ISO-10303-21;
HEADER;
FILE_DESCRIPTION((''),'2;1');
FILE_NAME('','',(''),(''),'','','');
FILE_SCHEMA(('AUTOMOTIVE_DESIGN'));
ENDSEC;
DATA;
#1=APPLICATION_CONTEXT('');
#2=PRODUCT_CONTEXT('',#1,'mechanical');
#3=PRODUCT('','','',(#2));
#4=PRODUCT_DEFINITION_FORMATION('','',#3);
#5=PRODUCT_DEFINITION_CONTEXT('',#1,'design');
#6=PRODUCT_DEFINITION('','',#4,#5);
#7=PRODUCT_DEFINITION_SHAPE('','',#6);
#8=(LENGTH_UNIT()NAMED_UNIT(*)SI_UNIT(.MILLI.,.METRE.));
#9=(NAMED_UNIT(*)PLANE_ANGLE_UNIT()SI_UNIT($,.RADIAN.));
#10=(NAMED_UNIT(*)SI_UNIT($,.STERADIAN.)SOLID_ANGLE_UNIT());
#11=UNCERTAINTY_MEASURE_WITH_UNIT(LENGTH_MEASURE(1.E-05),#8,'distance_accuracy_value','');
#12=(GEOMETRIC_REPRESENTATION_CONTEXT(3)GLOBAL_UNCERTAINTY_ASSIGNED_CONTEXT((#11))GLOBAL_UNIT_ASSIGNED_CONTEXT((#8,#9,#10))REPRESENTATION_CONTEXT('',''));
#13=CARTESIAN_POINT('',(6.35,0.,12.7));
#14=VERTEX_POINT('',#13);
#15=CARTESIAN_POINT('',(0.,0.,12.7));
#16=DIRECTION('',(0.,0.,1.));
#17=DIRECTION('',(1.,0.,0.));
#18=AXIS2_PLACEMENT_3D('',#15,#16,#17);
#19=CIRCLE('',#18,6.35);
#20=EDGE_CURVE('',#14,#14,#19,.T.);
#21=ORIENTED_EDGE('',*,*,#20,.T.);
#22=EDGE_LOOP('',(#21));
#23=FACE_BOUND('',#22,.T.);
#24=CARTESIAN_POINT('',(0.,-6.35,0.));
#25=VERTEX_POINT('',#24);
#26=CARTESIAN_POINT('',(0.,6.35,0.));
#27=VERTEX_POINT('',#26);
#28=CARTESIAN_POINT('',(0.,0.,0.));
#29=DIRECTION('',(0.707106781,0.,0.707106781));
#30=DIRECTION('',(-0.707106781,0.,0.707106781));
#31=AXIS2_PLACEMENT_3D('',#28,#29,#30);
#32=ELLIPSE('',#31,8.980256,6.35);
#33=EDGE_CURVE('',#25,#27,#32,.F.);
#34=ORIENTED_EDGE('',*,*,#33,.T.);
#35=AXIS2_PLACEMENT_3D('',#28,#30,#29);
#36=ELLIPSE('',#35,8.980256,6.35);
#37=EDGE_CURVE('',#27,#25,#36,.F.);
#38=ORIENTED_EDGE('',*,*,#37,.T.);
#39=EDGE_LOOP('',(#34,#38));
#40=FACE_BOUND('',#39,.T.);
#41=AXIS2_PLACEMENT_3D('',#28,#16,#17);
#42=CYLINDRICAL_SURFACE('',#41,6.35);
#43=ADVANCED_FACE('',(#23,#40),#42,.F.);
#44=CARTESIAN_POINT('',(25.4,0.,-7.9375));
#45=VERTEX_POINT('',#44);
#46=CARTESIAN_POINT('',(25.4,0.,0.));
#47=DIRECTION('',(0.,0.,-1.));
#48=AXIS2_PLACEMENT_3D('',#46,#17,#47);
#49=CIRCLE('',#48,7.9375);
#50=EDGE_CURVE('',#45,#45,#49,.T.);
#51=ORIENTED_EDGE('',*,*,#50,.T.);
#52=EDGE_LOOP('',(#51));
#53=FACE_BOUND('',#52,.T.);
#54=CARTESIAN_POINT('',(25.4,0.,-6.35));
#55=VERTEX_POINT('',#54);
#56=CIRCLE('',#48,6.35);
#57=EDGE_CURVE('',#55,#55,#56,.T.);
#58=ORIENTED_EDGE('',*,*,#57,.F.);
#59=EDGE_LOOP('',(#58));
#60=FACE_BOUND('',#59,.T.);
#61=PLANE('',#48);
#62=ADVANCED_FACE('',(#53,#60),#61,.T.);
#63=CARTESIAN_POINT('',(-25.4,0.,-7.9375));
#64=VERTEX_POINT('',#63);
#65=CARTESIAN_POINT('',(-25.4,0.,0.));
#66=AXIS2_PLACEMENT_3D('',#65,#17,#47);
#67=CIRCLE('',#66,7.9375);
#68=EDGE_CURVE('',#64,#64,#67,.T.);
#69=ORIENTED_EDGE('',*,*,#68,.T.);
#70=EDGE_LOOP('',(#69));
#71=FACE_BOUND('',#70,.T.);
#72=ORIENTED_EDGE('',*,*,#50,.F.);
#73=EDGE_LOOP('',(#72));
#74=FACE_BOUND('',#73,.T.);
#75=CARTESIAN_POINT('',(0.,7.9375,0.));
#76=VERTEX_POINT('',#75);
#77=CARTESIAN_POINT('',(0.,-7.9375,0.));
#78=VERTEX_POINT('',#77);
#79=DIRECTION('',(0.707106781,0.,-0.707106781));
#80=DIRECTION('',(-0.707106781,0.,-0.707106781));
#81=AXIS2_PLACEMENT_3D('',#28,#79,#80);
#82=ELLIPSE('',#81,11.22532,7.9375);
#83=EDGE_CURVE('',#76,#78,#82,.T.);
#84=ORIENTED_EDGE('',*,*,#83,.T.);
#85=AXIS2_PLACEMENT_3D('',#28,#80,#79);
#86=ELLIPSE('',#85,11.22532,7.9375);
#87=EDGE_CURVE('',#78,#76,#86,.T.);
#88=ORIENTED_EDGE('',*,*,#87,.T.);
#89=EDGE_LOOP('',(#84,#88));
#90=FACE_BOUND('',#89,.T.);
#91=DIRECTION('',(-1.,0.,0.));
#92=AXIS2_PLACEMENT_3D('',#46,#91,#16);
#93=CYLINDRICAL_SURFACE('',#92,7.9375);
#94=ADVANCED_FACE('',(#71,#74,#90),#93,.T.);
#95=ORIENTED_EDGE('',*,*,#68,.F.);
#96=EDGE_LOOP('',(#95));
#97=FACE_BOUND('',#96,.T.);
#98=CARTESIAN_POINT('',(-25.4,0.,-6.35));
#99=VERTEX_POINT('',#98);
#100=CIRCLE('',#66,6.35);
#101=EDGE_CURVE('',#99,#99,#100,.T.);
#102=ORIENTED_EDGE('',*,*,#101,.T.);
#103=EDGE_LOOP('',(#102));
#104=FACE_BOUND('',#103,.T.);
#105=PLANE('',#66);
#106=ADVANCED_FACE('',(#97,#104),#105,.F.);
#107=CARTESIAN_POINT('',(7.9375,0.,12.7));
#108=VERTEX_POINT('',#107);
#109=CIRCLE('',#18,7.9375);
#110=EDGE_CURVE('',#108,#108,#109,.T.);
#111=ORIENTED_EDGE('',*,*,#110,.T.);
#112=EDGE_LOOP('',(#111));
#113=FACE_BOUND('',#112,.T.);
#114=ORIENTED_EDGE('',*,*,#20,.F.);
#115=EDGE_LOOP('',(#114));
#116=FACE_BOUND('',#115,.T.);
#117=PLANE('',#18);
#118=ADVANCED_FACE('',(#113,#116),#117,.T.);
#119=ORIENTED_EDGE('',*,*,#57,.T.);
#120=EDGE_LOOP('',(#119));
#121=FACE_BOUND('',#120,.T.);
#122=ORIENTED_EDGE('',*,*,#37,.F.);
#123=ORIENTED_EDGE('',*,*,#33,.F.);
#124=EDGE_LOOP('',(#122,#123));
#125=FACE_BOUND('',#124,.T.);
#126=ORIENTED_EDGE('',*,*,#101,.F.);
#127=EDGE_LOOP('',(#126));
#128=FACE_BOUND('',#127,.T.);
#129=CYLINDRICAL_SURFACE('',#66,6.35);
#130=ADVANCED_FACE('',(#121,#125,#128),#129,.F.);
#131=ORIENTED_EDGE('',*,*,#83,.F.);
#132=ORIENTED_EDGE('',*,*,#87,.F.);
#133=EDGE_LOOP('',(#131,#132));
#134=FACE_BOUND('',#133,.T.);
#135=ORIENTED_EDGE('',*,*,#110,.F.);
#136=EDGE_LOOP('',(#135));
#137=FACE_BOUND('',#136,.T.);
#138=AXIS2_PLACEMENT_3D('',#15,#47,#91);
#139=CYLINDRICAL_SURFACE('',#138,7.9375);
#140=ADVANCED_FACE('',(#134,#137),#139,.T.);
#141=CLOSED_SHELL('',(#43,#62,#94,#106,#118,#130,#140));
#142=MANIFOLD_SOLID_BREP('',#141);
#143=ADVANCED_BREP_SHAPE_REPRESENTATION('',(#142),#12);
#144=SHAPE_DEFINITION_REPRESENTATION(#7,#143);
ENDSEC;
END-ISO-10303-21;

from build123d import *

# Parameters (mm, degrees)
SKETCH4_R           = 7.9375
BOSS_EXTRUDE2_DEPTH = 12.7
SKETCH7_R           = 6.35
CUT_EXTRUDE2_DEPTH  = 12.7
SKETCH8_R           = 7.9375
BOSS_EXTRUDE4_DEPTH = 25.4
SKETCH10_R          = 6.35
CUT_EXTRUDE4_DEPTH  = 12.7
SKETCH9_R           = 6.35
CUT_EXTRUDE5_DEPTH  = 51.8


with BuildPart() as part:
    # Sketch4 → Boss-Extrude2 (new body)
    with BuildSketch(Plane.XY):
        Circle(SKETCH4_R)
    extrude(amount=BOSS_EXTRUDE2_DEPTH)

    # Sketch7 → Cut-Extrude2 (cut)
    with BuildSketch(Plane.XY.offset(12.7)):
        Circle(SKETCH7_R)
    extrude(amount=-CUT_EXTRUDE2_DEPTH, mode=Mode.SUBTRACT)

    # Sketch8 → Boss-Extrude4 (add, symmetric)
    with BuildSketch(Plane(origin=(0, 0, 0), x_dir=(0, 0, -1), z_dir=(1, 0, 0))):
        Circle(SKETCH8_R)
    extrude(amount=BOSS_EXTRUDE4_DEPTH, both=True)

    # Sketch10 → Cut-Extrude4 (cut)
    with BuildSketch(Plane.XY.offset(12.7)):
        Circle(SKETCH10_R)
    extrude(amount=-CUT_EXTRUDE4_DEPTH, mode=Mode.SUBTRACT)

    # Sketch9 → Cut-Extrude5 (cut, through all)
    with BuildSketch(Plane(origin=(25.4, 0, 0), x_dir=(0, 0, -1), z_dir=(1, 0, 0))):
        Circle(SKETCH9_R)
    extrude(amount=-CUT_EXTRUDE5_DEPTH, mode=Mode.SUBTRACT)


solid = part.part
